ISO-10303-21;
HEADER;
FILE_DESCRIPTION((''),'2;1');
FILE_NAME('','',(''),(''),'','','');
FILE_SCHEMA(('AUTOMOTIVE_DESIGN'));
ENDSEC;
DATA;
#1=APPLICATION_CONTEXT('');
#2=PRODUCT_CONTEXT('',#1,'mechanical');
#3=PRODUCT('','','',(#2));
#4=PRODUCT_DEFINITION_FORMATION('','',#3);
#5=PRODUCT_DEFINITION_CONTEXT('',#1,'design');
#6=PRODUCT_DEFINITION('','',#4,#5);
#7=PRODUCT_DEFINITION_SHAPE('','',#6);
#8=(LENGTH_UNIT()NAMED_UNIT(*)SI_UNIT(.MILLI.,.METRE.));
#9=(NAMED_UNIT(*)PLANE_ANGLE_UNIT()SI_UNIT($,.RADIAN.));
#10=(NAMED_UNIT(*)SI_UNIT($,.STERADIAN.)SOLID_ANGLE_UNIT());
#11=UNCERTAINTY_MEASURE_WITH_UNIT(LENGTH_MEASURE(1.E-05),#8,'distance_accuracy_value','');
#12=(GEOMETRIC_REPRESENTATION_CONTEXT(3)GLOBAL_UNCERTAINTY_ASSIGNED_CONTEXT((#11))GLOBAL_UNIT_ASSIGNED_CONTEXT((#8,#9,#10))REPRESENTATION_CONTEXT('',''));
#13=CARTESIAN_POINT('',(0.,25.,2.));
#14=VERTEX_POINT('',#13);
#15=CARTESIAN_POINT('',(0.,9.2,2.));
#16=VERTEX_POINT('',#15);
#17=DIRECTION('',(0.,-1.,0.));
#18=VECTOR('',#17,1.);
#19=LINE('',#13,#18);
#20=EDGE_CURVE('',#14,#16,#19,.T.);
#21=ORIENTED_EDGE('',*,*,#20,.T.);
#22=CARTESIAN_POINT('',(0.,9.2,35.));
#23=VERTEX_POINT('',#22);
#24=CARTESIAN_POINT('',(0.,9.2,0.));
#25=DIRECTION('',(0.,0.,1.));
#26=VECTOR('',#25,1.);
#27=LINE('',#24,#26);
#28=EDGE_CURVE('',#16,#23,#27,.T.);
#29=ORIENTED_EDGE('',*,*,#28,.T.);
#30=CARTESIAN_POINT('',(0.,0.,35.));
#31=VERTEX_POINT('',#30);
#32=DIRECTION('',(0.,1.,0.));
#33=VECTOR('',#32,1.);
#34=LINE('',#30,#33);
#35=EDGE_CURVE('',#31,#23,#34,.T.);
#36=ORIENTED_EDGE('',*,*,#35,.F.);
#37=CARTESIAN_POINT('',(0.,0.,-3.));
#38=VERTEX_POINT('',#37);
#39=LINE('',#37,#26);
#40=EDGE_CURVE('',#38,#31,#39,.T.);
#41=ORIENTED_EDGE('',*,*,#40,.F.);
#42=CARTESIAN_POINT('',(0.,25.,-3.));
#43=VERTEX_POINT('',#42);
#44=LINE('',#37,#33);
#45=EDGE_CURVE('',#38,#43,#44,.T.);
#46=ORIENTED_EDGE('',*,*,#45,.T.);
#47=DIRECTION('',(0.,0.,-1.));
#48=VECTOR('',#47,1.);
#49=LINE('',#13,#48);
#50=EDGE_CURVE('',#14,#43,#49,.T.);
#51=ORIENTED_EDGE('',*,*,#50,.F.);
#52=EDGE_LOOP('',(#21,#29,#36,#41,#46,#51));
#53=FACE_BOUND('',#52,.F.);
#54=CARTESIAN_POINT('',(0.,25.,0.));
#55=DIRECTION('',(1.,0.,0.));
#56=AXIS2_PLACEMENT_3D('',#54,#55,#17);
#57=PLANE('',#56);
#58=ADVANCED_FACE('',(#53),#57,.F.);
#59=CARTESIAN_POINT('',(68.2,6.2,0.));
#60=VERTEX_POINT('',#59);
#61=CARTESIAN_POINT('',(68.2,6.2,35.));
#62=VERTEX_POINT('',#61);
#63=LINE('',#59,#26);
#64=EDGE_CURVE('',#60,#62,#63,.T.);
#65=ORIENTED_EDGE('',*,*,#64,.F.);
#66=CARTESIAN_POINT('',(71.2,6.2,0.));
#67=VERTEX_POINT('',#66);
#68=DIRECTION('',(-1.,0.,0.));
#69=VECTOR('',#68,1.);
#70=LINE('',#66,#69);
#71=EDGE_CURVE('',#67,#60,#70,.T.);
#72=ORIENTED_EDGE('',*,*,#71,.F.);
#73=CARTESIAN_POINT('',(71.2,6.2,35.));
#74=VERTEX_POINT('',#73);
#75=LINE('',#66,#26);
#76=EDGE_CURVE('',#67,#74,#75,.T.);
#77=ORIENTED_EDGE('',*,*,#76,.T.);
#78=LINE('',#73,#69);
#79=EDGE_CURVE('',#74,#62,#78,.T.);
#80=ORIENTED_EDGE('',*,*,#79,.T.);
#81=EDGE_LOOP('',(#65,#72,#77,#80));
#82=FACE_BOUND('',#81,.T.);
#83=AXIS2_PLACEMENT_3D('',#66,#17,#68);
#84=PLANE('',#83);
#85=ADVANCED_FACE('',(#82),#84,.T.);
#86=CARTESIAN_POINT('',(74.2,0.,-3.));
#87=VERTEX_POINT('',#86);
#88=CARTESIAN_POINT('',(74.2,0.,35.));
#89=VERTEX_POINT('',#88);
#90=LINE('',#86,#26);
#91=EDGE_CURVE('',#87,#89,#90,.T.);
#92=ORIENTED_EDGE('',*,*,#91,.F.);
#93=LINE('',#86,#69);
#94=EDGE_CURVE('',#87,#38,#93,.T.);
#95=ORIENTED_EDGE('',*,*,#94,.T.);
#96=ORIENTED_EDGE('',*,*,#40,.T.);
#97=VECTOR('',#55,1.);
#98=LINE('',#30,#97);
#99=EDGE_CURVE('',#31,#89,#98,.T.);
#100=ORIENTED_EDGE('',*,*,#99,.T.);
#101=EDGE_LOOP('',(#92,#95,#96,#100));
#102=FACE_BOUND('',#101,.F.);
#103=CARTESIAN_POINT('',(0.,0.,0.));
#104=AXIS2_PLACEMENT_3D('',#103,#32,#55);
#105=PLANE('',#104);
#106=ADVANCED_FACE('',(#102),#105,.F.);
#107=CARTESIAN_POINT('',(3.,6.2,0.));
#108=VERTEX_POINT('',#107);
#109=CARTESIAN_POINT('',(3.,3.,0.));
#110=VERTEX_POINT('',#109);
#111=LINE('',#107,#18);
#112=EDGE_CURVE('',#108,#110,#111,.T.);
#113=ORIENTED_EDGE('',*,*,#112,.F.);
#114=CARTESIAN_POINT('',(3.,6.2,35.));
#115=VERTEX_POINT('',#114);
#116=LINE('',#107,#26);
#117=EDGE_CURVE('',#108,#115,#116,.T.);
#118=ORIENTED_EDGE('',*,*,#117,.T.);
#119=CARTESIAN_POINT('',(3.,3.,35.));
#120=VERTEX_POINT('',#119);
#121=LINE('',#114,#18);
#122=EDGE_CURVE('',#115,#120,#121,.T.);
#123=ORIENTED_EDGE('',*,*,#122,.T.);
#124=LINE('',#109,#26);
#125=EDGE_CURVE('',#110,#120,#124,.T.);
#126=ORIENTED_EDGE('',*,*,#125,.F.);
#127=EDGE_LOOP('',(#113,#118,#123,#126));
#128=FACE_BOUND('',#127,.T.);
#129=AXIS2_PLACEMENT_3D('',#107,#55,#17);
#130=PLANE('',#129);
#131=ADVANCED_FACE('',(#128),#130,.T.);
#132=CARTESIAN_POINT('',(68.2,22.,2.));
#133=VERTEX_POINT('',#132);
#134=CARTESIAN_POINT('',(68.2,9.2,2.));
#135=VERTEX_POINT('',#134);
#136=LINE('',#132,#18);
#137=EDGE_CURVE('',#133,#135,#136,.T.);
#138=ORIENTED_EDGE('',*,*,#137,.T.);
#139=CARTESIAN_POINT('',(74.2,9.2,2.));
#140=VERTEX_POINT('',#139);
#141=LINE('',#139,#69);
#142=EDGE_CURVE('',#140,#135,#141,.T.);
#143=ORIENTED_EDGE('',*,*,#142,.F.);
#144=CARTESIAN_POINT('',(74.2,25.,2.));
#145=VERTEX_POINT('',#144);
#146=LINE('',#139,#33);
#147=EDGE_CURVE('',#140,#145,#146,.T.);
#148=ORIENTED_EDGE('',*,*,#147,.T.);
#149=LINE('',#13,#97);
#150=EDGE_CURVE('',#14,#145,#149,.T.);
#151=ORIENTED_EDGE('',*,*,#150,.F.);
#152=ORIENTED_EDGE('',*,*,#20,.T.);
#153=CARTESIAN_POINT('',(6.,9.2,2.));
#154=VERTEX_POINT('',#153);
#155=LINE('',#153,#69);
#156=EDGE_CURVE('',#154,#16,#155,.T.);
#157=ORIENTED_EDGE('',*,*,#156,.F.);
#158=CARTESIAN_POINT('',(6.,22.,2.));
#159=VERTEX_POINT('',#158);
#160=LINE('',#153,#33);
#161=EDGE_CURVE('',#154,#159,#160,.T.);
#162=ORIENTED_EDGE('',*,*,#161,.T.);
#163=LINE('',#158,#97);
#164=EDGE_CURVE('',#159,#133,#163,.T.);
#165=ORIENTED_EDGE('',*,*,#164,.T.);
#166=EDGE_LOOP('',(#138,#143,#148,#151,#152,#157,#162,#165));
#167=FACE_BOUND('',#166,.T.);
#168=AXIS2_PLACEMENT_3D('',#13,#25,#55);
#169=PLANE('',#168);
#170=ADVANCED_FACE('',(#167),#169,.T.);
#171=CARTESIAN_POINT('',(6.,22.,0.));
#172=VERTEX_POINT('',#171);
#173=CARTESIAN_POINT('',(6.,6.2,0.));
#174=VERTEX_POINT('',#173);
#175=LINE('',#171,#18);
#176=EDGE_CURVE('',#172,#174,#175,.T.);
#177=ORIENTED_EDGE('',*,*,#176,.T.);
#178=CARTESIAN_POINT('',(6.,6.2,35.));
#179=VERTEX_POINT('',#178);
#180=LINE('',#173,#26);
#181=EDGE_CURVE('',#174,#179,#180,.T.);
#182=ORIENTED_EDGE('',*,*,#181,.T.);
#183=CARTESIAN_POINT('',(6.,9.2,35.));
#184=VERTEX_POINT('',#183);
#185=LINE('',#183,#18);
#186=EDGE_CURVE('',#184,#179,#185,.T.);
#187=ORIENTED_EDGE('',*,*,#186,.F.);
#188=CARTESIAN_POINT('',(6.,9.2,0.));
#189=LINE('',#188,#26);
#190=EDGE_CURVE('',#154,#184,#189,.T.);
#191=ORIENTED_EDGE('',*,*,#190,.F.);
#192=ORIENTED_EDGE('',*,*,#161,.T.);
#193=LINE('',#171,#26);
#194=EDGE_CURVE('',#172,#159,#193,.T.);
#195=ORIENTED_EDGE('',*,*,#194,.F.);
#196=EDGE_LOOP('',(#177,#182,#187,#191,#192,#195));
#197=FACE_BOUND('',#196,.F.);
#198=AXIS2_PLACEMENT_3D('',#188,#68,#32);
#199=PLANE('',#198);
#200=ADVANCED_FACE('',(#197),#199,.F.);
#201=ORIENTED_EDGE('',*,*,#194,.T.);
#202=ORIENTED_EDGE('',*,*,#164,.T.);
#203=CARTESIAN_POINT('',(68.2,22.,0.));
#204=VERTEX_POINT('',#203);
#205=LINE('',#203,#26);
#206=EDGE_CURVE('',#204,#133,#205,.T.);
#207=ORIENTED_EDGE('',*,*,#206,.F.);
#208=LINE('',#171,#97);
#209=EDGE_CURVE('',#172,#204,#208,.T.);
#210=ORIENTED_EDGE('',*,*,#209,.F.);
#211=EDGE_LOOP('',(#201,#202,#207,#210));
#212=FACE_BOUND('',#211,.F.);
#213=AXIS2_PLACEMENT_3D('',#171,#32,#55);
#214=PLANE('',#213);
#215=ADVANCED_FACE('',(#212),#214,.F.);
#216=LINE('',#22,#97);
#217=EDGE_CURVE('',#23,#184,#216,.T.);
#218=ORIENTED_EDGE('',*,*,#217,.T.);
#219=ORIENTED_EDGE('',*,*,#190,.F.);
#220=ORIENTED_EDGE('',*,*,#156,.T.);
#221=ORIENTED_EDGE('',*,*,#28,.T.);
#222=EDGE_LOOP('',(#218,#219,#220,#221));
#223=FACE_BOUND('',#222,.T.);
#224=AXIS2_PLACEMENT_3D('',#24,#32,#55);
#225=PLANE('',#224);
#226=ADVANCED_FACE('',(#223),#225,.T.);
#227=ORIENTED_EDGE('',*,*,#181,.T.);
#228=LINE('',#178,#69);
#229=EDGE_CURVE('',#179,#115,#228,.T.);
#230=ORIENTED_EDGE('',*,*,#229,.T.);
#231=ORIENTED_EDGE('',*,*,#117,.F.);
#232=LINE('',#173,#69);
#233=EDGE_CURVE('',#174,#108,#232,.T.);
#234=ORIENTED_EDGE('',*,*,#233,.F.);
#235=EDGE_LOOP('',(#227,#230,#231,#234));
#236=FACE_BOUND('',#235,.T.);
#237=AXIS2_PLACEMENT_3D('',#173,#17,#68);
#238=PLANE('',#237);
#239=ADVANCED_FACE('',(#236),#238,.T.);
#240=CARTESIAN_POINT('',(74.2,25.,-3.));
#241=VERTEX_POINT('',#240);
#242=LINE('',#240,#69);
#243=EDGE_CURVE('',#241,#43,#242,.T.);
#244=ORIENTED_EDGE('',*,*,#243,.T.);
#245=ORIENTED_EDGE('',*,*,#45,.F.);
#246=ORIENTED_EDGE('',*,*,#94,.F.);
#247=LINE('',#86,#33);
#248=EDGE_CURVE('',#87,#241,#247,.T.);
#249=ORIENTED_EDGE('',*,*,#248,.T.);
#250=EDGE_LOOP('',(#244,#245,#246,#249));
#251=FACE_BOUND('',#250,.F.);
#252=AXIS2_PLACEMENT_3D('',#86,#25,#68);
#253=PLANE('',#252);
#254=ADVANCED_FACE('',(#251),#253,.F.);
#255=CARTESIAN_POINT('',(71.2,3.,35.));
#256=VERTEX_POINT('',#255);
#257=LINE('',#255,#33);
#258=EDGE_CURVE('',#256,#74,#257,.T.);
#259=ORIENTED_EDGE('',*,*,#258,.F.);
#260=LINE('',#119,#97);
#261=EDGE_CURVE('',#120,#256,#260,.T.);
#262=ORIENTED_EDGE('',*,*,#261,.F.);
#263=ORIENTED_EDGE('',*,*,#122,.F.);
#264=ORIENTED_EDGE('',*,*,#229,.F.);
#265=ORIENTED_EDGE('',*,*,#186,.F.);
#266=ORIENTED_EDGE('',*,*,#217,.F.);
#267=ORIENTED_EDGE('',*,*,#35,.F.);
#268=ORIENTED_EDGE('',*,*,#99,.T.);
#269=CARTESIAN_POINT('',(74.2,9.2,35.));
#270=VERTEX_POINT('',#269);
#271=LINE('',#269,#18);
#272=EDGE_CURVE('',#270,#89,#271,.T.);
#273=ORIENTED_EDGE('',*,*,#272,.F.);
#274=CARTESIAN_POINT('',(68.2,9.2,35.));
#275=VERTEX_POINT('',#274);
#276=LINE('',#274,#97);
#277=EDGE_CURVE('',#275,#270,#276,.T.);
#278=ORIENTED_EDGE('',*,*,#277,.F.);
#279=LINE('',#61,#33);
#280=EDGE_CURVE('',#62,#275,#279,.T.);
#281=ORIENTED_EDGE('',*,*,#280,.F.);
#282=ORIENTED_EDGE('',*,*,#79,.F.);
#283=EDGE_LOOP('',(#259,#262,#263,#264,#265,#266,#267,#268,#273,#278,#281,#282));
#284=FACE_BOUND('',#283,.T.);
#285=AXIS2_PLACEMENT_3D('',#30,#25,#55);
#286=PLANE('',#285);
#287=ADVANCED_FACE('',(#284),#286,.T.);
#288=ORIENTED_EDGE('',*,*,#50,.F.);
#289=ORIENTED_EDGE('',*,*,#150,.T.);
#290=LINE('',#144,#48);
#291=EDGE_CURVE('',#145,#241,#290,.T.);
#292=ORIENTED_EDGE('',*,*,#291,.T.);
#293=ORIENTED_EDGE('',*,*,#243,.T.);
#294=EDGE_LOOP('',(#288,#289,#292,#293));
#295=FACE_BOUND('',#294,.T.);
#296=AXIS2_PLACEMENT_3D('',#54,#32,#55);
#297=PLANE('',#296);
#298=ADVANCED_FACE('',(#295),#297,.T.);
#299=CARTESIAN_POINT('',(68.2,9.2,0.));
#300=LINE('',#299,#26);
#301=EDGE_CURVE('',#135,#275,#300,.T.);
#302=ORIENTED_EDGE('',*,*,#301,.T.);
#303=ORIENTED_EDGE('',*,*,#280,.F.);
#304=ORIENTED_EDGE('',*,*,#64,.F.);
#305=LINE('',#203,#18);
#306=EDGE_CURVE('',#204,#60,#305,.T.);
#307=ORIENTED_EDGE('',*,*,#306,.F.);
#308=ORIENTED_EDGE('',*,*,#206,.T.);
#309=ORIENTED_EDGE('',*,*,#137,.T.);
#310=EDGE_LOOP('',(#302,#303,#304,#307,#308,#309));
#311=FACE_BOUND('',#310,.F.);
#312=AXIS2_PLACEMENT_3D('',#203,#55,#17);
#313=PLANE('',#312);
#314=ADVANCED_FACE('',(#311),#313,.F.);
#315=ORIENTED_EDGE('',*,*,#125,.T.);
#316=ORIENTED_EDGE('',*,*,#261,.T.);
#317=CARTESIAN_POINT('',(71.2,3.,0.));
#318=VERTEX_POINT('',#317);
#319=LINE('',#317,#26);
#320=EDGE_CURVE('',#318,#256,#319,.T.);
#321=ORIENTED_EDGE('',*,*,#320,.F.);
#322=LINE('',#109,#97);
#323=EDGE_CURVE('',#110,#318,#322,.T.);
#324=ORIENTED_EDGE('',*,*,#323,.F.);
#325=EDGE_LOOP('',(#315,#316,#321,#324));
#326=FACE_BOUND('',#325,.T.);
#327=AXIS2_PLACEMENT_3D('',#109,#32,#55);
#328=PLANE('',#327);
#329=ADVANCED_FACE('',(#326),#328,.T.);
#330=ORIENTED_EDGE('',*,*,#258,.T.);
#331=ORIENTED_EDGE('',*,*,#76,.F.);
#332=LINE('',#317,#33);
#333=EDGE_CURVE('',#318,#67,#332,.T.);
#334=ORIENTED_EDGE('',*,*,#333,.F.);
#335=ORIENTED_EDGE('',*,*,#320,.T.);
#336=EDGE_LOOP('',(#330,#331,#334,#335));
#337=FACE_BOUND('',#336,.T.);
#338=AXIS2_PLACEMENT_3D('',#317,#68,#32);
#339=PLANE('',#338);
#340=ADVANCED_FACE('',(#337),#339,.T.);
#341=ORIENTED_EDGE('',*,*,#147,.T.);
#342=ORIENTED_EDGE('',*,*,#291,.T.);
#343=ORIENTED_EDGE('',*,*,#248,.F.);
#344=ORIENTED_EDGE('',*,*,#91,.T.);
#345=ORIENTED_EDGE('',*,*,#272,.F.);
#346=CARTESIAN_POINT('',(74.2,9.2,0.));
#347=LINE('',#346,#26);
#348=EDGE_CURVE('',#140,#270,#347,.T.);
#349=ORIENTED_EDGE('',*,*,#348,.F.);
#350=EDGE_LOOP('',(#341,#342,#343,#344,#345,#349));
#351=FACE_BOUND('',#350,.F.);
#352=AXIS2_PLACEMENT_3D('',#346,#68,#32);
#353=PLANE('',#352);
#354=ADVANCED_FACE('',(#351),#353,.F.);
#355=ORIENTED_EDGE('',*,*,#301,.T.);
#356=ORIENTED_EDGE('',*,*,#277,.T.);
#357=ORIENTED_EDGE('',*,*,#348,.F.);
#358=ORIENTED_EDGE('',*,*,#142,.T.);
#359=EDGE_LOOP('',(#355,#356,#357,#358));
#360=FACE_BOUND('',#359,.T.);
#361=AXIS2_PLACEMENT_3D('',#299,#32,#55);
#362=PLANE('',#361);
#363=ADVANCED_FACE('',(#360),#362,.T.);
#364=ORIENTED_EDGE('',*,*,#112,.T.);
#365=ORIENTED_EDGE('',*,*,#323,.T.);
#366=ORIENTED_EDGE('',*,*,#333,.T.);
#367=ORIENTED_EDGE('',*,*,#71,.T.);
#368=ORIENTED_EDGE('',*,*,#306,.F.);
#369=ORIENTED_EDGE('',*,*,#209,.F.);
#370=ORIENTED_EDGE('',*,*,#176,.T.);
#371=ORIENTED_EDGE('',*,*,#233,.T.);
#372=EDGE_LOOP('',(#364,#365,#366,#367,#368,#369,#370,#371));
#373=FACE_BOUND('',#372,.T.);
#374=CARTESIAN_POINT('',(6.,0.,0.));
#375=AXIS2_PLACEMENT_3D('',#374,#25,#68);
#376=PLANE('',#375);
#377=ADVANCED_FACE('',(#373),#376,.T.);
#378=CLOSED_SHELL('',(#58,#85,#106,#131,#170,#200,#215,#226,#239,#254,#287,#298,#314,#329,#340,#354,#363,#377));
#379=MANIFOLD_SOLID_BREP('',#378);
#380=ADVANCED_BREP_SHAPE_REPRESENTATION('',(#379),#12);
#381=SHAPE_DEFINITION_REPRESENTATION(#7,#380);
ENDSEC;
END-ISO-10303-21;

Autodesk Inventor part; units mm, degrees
ref_plane "YZ Plane" through (0, 0, 0) normal (1, 0, 0) x (0, 1, 0)
ref_plane "XZ Plane" through (0, 0, 0) normal (0, 1, 0) x (-1, 0, 0)
ref_plane "XY Plane" through (0, 0, 0) normal (0, 0, 1) x (1, 0, 0)
sketch "Эскиз1" plane through (0, 0, 0) normal (0, 0, 1) x (1, 0, 0)
  line L0 (0, 0) -> (74.2, 0)
  line L1 (0, 0) -> (0, 9.2)
  line L2 (0, 9.2) -> (6, 9.2)
  line L3 (6, 9.2) -> (6, 6.2)
  line L4 (6, 6.2) -> (3, 6.2)
  line L5 (3, 6.2) -> (3, 3)
  line L6 (71.2, 3) -> (71.2, 6.2)
  line L7 (71.2, 6.2) -> (68.2, 6.2)
  line L8 (68.2, 6.2) -> (68.2, 9.2)
  line L9 (68.2, 9.2) -> (74.2, 9.2)
  line L10 (74.2, 9.2) -> (74.2, 0)
  line L11 (3, 3) -> (71.2, 3)
  dimension "d2" = 68.2
  dimension "d3" = 3
  dimension "d4" = 3
  dimension "d5" = 3
  dimension "d6" = 3
  dimension "d7" = 3
  dimension "d8" = 3
  dimension "d9" = 3
  dimension "d10" = 3.2
extrude "Выдавливание1" add sketch "Эскиз1" along normal blind 35
sketch "Эскиз2" plane through (0, 0, 0) normal (0, -1, 0) x (1, 0, 0)
  line L0 (6, 0) -> (0, 0) projected
  line L1 (0, 0) -> (74.2, 0)
  line L2 (74.2, 0) -> (74.2, -3)
  line L3 (74.2, -3) -> (0, -3)
  line L4 (0, -3) -> (0, 0)
  point P0 (74.2, -1.5)
  dimension "d13" = 3
extrude "Выдавливание2" add sketch "Эскиз2" against normal blind 25
sketch "Эскиз3" plane through (0, 25, 0) normal (0, 0, 1) x (1, 0, 0)
  line L0 (74.2, -15.8) -> (74.2, 0) projected
  line L1 (74.2, -15.8) -> (74.2, 0)
  line L2 (0, 0) -> (74.2, 0) projected
  line L3 (74.2, 0) -> (0, 0)
  line L4 (6, -15.8) -> (0, -15.8) projected
  line L5 (0, 0) -> (0, -15.8)
  line L6 (0, -15.8) -> (6, -15.8)
  line L7 (6, -15.8) -> (6, -3)
  line L8 (6, -3) -> (68.2, -3)
  line L9 (68.2, -3) -> (68.2, -15.8)
  line L10 (74.2, -15.8) -> (68.2, -15.8) projected
  line L11 (74.2, -15.8) -> (68.2, -15.8)
  point P0 (0, -25)
  dimension "d16" = 3
extrude "Выдавливание3" add sketch "Эскиз3" along normal blind 2
properties part number "креплениедлякамерыверх"
